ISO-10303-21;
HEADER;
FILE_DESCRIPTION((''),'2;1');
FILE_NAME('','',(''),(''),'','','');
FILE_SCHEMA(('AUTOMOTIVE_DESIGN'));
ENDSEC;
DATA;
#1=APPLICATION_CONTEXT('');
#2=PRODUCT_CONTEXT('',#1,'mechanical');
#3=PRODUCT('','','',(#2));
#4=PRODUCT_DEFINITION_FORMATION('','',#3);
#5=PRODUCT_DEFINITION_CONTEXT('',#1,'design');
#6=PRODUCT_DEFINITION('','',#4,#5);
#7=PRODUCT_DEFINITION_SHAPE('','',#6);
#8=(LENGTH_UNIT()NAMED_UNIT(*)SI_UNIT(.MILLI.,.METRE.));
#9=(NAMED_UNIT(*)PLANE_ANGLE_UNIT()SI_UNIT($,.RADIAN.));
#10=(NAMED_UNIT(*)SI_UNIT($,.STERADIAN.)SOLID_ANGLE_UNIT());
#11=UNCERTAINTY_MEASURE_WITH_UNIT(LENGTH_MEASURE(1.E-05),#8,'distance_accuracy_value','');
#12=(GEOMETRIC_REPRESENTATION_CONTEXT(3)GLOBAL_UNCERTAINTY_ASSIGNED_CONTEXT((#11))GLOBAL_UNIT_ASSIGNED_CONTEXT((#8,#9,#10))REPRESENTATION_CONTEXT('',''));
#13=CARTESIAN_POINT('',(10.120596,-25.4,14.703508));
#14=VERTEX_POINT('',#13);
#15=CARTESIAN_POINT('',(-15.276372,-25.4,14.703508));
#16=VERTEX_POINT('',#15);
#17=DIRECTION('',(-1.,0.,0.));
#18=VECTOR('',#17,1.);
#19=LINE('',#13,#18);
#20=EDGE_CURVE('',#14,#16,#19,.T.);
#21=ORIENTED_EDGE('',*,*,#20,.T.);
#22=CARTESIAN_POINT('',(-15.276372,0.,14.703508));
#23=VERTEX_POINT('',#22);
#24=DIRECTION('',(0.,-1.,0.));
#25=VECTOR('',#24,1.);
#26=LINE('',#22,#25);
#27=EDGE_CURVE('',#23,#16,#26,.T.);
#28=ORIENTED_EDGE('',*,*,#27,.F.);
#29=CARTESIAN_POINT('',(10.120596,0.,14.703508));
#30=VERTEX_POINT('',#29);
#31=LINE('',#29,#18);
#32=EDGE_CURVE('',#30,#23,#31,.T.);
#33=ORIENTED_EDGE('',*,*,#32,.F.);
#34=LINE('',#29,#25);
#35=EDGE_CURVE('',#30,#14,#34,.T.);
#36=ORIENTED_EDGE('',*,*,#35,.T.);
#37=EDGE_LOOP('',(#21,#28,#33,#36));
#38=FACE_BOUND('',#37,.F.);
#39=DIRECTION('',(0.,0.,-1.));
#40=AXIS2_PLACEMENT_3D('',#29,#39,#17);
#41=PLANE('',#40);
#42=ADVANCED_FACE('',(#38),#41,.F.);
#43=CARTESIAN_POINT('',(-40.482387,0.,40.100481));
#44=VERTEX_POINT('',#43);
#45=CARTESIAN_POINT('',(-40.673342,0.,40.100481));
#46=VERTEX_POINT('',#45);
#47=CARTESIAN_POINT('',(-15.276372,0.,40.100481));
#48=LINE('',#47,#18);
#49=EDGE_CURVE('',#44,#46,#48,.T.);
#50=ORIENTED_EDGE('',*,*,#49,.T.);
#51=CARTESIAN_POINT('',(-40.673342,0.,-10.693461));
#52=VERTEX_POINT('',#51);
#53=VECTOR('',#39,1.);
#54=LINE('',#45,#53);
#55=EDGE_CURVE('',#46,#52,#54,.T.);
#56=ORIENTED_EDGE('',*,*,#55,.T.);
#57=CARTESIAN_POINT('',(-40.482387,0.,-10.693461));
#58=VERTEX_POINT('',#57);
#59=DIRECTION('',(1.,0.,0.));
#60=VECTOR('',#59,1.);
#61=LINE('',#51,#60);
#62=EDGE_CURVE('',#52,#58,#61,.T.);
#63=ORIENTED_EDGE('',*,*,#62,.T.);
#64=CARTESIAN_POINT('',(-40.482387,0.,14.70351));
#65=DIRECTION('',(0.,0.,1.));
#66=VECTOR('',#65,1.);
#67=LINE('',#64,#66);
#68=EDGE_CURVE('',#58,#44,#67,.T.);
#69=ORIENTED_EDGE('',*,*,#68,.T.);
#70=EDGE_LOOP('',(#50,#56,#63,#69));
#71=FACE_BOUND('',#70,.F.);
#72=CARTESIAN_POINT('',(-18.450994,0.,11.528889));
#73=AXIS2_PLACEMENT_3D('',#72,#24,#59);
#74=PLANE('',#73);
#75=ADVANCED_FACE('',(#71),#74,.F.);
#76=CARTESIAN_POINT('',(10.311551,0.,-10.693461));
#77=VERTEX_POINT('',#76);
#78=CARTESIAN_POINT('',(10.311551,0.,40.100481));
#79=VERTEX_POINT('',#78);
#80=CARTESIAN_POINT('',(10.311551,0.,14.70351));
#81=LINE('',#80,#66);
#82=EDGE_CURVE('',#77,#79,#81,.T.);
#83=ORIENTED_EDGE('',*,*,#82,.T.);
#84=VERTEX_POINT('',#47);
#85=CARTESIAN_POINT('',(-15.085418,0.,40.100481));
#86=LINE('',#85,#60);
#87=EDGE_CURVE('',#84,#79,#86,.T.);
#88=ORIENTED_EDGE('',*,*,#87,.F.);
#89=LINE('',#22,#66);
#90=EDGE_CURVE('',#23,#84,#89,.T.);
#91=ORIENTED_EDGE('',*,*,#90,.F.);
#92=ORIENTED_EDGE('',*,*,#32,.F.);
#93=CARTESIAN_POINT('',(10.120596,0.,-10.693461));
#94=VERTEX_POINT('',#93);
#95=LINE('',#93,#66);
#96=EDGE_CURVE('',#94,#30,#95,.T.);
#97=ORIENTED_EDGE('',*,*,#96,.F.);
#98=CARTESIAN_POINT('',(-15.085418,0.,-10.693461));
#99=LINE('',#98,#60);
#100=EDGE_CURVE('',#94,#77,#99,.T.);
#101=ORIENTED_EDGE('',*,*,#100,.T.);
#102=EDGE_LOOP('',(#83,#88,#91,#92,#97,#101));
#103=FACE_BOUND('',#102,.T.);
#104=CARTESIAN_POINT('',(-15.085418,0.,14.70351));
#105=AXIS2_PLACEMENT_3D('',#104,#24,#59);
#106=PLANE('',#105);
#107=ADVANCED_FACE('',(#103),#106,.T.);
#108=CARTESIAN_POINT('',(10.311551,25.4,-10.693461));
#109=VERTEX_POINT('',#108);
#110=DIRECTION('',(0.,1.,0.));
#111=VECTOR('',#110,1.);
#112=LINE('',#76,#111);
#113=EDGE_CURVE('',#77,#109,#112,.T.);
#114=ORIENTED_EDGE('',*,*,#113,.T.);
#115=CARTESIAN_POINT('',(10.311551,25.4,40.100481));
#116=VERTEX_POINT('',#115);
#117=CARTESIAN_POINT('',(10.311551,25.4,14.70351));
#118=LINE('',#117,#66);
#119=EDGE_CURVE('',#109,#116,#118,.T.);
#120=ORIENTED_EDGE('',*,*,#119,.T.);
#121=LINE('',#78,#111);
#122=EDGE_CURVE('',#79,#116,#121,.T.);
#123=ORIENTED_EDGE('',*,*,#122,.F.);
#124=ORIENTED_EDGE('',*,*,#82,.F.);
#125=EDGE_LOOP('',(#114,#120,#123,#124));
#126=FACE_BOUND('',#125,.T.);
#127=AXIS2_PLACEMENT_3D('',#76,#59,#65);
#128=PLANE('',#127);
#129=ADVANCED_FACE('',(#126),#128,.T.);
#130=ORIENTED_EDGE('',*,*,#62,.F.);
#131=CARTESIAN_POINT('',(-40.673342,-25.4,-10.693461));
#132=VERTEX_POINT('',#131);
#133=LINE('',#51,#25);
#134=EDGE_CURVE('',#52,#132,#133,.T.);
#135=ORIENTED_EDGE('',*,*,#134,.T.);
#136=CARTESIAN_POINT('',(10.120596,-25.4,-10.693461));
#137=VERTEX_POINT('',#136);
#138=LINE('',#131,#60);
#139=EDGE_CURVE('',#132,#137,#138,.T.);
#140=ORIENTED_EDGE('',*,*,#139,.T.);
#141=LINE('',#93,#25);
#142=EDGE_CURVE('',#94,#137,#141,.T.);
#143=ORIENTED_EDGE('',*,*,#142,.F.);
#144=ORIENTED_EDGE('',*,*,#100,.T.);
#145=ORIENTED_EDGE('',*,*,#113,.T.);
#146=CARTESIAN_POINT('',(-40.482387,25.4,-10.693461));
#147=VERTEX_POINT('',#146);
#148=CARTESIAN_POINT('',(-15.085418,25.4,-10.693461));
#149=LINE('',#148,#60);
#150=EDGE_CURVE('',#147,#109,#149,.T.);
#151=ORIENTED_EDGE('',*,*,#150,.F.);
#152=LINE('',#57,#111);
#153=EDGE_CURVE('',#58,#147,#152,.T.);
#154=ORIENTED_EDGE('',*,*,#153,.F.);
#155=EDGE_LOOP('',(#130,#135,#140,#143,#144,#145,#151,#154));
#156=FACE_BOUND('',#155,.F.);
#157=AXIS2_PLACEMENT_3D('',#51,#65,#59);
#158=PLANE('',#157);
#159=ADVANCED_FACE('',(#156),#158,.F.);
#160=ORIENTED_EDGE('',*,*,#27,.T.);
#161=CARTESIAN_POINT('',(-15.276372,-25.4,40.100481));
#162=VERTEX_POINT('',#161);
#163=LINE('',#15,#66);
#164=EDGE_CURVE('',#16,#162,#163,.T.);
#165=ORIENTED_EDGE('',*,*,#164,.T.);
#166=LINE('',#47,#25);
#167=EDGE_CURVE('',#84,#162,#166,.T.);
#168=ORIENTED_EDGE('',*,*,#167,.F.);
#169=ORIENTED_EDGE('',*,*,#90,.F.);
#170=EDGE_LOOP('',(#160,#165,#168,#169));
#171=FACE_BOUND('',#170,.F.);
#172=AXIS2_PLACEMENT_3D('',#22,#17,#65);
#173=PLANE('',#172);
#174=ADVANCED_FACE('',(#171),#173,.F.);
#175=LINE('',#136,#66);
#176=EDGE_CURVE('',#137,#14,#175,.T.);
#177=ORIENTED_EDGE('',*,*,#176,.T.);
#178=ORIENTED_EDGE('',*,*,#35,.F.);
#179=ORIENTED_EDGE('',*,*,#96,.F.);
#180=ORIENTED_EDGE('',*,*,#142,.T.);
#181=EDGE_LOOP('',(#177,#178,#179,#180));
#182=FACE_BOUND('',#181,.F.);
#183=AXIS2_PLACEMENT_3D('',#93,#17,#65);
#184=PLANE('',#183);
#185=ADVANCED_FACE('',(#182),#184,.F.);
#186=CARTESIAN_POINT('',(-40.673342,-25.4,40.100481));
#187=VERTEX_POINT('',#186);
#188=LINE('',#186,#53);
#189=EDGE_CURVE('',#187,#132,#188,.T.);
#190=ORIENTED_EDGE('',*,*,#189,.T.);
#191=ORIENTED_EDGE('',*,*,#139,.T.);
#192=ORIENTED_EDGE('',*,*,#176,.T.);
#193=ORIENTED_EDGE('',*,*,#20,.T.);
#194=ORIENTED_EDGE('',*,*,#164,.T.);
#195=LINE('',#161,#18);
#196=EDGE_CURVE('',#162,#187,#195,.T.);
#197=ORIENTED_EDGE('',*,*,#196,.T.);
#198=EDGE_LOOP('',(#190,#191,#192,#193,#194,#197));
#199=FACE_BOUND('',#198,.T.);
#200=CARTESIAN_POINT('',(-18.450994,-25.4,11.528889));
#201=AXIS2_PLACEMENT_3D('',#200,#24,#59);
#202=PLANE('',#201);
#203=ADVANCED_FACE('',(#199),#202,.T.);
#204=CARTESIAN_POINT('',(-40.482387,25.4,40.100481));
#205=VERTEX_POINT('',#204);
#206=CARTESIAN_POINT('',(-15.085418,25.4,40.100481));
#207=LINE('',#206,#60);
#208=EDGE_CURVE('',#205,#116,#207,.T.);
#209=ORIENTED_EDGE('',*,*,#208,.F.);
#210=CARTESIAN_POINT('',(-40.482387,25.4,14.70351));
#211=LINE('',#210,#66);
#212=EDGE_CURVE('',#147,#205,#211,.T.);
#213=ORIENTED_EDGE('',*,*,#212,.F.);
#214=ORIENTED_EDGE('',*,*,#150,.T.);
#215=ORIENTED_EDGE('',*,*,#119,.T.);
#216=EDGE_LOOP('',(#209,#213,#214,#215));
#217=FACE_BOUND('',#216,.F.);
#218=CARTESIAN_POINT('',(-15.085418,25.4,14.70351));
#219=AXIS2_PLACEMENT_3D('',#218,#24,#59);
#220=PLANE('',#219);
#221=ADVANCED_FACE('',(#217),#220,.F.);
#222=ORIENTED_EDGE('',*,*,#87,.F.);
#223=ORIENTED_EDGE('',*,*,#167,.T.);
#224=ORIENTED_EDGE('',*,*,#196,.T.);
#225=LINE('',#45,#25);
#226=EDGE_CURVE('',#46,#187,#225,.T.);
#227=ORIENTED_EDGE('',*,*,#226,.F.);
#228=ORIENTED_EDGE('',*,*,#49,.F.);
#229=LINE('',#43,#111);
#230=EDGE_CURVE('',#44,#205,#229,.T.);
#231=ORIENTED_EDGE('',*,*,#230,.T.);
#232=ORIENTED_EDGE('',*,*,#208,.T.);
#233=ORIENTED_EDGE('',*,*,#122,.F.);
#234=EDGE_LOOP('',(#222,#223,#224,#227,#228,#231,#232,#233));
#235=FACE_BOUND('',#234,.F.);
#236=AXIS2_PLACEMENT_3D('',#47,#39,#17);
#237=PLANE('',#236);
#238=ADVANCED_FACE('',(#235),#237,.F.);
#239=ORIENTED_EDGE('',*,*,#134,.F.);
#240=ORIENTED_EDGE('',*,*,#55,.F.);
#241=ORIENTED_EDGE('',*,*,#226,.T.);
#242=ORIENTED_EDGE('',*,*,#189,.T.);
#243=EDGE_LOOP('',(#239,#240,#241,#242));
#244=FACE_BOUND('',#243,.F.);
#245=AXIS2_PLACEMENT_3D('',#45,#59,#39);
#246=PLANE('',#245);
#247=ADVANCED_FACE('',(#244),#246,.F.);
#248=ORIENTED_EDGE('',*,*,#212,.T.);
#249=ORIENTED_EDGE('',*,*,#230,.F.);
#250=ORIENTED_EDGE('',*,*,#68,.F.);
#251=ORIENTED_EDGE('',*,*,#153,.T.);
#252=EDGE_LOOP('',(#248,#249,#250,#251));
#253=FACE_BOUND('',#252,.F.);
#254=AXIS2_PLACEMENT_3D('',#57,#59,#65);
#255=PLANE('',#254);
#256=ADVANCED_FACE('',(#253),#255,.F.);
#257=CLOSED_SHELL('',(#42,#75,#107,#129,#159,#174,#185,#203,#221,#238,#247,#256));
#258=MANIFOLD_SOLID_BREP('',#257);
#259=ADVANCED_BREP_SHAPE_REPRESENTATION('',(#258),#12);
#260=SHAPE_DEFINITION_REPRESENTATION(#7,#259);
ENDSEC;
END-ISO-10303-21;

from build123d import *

# Parameters (mm, degrees)
F1_W     = 50.793938
F1_H     = 50.793942
F2_DEPTH = 25.4
F3_DEPTH = 25.4


with BuildPart() as f2:
    # F1 (on Front) → F2 (new body)
    with BuildSketch(Plane.XZ):
        with Locations((-15.085418, 14.70351)):
            Rectangle(F1_W, F1_H)
    extrude(amount=-F2_DEPTH)

    # F0 (on Front) → F3 (join)
    with BuildSketch(Plane.XZ):
        Polygon((-15.276372, 40.100481), (-40.673342, 40.100481), (-40.673342, -10.693461), (10.120596, -10.693461), (10.120596, 14.703508), (-15.276372, 14.703508), align=None)
    extrude(amount=F3_DEPTH)


solid = f2.part
